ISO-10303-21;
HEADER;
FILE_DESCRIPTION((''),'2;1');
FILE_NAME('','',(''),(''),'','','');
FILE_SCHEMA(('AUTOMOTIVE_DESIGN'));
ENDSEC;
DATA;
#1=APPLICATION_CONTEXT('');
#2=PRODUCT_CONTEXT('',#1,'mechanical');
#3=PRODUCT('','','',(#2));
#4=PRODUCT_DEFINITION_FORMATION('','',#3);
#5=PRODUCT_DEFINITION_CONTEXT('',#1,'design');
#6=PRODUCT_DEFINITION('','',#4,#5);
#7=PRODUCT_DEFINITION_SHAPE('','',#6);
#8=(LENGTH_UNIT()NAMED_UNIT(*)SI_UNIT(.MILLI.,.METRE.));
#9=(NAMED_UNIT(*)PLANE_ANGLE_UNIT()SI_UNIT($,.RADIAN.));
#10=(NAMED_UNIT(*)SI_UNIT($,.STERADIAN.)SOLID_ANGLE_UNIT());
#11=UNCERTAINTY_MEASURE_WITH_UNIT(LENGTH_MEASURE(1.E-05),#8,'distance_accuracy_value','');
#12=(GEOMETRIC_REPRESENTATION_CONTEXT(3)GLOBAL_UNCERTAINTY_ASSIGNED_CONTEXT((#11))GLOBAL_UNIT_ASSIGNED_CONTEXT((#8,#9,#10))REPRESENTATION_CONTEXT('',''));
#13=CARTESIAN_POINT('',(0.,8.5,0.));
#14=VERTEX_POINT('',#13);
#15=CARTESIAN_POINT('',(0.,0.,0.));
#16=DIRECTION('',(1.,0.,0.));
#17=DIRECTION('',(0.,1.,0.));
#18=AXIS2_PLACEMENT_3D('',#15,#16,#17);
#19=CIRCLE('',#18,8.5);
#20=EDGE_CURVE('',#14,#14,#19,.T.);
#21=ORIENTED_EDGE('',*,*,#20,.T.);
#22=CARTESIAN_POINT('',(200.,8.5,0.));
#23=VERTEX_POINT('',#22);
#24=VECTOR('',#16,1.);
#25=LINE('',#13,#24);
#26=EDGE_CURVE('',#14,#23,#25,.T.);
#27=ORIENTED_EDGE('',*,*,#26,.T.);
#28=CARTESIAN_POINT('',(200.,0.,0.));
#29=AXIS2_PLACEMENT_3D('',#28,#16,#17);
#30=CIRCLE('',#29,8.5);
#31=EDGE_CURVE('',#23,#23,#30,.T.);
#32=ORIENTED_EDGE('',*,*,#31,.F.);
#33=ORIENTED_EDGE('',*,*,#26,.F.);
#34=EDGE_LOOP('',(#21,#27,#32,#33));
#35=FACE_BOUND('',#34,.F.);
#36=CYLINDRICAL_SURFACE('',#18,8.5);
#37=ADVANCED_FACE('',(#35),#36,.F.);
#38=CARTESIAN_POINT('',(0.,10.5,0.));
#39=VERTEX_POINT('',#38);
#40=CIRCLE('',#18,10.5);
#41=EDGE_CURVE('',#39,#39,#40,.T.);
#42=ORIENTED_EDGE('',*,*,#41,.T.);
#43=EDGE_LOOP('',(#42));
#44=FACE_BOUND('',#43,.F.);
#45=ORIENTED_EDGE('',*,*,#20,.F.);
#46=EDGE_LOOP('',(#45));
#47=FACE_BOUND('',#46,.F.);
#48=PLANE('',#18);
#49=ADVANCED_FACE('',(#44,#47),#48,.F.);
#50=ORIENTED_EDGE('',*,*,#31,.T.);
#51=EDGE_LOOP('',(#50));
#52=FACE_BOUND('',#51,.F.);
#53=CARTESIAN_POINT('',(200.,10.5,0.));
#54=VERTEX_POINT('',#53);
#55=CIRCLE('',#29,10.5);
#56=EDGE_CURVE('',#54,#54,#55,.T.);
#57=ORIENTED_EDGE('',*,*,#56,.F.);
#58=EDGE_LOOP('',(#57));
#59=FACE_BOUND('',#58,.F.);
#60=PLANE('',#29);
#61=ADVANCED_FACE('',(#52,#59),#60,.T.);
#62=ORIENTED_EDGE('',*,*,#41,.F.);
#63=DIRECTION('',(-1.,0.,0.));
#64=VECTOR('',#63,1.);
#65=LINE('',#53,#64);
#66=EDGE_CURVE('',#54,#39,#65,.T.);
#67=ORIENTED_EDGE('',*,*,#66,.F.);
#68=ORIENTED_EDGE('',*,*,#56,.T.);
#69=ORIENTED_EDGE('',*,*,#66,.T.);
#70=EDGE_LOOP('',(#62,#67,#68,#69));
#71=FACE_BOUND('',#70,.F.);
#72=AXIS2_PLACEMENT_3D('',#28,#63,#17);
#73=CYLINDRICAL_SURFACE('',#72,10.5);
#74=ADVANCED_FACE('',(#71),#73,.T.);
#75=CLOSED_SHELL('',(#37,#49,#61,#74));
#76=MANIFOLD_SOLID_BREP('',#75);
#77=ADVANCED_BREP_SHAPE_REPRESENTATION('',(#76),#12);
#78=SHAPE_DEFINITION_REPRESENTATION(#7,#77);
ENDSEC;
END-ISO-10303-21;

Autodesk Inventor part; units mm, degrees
ref_plane "YZ Plane" through (0, 0, 0) normal (1, 0, 0) x (0, 1, 0)
ref_plane "XZ Plane" through (0, 0, 0) normal (0, 1, 0) x (-1, 0, 0)
ref_plane "XY Plane" through (0, 0, 0) normal (0, 0, 1) x (1, 0, 0)
sketch "Sketch1" plane through (0, 0, 0) normal (0, 0, 1) x (1, 0, 0)
  line L0 (0, 8.5) -> (200, 8.5)
  line L1 (200, 8.5) -> (200, 10.5)
  line L2 (200, 10.5) -> (0, 10.5)
  line L3 (0, 10.5) -> (0, 8.5)
  line L4 (0, 0) -> (200, 0)
  dimension "d0" = 200
  dimension "d1" = 2
  dimension "d4" = 21
revolve "Revolution1" add sketch "Sketch1" angle 360 about axis through (0, 0, 0) along (1, 0, 0)
properties part number "buis"
